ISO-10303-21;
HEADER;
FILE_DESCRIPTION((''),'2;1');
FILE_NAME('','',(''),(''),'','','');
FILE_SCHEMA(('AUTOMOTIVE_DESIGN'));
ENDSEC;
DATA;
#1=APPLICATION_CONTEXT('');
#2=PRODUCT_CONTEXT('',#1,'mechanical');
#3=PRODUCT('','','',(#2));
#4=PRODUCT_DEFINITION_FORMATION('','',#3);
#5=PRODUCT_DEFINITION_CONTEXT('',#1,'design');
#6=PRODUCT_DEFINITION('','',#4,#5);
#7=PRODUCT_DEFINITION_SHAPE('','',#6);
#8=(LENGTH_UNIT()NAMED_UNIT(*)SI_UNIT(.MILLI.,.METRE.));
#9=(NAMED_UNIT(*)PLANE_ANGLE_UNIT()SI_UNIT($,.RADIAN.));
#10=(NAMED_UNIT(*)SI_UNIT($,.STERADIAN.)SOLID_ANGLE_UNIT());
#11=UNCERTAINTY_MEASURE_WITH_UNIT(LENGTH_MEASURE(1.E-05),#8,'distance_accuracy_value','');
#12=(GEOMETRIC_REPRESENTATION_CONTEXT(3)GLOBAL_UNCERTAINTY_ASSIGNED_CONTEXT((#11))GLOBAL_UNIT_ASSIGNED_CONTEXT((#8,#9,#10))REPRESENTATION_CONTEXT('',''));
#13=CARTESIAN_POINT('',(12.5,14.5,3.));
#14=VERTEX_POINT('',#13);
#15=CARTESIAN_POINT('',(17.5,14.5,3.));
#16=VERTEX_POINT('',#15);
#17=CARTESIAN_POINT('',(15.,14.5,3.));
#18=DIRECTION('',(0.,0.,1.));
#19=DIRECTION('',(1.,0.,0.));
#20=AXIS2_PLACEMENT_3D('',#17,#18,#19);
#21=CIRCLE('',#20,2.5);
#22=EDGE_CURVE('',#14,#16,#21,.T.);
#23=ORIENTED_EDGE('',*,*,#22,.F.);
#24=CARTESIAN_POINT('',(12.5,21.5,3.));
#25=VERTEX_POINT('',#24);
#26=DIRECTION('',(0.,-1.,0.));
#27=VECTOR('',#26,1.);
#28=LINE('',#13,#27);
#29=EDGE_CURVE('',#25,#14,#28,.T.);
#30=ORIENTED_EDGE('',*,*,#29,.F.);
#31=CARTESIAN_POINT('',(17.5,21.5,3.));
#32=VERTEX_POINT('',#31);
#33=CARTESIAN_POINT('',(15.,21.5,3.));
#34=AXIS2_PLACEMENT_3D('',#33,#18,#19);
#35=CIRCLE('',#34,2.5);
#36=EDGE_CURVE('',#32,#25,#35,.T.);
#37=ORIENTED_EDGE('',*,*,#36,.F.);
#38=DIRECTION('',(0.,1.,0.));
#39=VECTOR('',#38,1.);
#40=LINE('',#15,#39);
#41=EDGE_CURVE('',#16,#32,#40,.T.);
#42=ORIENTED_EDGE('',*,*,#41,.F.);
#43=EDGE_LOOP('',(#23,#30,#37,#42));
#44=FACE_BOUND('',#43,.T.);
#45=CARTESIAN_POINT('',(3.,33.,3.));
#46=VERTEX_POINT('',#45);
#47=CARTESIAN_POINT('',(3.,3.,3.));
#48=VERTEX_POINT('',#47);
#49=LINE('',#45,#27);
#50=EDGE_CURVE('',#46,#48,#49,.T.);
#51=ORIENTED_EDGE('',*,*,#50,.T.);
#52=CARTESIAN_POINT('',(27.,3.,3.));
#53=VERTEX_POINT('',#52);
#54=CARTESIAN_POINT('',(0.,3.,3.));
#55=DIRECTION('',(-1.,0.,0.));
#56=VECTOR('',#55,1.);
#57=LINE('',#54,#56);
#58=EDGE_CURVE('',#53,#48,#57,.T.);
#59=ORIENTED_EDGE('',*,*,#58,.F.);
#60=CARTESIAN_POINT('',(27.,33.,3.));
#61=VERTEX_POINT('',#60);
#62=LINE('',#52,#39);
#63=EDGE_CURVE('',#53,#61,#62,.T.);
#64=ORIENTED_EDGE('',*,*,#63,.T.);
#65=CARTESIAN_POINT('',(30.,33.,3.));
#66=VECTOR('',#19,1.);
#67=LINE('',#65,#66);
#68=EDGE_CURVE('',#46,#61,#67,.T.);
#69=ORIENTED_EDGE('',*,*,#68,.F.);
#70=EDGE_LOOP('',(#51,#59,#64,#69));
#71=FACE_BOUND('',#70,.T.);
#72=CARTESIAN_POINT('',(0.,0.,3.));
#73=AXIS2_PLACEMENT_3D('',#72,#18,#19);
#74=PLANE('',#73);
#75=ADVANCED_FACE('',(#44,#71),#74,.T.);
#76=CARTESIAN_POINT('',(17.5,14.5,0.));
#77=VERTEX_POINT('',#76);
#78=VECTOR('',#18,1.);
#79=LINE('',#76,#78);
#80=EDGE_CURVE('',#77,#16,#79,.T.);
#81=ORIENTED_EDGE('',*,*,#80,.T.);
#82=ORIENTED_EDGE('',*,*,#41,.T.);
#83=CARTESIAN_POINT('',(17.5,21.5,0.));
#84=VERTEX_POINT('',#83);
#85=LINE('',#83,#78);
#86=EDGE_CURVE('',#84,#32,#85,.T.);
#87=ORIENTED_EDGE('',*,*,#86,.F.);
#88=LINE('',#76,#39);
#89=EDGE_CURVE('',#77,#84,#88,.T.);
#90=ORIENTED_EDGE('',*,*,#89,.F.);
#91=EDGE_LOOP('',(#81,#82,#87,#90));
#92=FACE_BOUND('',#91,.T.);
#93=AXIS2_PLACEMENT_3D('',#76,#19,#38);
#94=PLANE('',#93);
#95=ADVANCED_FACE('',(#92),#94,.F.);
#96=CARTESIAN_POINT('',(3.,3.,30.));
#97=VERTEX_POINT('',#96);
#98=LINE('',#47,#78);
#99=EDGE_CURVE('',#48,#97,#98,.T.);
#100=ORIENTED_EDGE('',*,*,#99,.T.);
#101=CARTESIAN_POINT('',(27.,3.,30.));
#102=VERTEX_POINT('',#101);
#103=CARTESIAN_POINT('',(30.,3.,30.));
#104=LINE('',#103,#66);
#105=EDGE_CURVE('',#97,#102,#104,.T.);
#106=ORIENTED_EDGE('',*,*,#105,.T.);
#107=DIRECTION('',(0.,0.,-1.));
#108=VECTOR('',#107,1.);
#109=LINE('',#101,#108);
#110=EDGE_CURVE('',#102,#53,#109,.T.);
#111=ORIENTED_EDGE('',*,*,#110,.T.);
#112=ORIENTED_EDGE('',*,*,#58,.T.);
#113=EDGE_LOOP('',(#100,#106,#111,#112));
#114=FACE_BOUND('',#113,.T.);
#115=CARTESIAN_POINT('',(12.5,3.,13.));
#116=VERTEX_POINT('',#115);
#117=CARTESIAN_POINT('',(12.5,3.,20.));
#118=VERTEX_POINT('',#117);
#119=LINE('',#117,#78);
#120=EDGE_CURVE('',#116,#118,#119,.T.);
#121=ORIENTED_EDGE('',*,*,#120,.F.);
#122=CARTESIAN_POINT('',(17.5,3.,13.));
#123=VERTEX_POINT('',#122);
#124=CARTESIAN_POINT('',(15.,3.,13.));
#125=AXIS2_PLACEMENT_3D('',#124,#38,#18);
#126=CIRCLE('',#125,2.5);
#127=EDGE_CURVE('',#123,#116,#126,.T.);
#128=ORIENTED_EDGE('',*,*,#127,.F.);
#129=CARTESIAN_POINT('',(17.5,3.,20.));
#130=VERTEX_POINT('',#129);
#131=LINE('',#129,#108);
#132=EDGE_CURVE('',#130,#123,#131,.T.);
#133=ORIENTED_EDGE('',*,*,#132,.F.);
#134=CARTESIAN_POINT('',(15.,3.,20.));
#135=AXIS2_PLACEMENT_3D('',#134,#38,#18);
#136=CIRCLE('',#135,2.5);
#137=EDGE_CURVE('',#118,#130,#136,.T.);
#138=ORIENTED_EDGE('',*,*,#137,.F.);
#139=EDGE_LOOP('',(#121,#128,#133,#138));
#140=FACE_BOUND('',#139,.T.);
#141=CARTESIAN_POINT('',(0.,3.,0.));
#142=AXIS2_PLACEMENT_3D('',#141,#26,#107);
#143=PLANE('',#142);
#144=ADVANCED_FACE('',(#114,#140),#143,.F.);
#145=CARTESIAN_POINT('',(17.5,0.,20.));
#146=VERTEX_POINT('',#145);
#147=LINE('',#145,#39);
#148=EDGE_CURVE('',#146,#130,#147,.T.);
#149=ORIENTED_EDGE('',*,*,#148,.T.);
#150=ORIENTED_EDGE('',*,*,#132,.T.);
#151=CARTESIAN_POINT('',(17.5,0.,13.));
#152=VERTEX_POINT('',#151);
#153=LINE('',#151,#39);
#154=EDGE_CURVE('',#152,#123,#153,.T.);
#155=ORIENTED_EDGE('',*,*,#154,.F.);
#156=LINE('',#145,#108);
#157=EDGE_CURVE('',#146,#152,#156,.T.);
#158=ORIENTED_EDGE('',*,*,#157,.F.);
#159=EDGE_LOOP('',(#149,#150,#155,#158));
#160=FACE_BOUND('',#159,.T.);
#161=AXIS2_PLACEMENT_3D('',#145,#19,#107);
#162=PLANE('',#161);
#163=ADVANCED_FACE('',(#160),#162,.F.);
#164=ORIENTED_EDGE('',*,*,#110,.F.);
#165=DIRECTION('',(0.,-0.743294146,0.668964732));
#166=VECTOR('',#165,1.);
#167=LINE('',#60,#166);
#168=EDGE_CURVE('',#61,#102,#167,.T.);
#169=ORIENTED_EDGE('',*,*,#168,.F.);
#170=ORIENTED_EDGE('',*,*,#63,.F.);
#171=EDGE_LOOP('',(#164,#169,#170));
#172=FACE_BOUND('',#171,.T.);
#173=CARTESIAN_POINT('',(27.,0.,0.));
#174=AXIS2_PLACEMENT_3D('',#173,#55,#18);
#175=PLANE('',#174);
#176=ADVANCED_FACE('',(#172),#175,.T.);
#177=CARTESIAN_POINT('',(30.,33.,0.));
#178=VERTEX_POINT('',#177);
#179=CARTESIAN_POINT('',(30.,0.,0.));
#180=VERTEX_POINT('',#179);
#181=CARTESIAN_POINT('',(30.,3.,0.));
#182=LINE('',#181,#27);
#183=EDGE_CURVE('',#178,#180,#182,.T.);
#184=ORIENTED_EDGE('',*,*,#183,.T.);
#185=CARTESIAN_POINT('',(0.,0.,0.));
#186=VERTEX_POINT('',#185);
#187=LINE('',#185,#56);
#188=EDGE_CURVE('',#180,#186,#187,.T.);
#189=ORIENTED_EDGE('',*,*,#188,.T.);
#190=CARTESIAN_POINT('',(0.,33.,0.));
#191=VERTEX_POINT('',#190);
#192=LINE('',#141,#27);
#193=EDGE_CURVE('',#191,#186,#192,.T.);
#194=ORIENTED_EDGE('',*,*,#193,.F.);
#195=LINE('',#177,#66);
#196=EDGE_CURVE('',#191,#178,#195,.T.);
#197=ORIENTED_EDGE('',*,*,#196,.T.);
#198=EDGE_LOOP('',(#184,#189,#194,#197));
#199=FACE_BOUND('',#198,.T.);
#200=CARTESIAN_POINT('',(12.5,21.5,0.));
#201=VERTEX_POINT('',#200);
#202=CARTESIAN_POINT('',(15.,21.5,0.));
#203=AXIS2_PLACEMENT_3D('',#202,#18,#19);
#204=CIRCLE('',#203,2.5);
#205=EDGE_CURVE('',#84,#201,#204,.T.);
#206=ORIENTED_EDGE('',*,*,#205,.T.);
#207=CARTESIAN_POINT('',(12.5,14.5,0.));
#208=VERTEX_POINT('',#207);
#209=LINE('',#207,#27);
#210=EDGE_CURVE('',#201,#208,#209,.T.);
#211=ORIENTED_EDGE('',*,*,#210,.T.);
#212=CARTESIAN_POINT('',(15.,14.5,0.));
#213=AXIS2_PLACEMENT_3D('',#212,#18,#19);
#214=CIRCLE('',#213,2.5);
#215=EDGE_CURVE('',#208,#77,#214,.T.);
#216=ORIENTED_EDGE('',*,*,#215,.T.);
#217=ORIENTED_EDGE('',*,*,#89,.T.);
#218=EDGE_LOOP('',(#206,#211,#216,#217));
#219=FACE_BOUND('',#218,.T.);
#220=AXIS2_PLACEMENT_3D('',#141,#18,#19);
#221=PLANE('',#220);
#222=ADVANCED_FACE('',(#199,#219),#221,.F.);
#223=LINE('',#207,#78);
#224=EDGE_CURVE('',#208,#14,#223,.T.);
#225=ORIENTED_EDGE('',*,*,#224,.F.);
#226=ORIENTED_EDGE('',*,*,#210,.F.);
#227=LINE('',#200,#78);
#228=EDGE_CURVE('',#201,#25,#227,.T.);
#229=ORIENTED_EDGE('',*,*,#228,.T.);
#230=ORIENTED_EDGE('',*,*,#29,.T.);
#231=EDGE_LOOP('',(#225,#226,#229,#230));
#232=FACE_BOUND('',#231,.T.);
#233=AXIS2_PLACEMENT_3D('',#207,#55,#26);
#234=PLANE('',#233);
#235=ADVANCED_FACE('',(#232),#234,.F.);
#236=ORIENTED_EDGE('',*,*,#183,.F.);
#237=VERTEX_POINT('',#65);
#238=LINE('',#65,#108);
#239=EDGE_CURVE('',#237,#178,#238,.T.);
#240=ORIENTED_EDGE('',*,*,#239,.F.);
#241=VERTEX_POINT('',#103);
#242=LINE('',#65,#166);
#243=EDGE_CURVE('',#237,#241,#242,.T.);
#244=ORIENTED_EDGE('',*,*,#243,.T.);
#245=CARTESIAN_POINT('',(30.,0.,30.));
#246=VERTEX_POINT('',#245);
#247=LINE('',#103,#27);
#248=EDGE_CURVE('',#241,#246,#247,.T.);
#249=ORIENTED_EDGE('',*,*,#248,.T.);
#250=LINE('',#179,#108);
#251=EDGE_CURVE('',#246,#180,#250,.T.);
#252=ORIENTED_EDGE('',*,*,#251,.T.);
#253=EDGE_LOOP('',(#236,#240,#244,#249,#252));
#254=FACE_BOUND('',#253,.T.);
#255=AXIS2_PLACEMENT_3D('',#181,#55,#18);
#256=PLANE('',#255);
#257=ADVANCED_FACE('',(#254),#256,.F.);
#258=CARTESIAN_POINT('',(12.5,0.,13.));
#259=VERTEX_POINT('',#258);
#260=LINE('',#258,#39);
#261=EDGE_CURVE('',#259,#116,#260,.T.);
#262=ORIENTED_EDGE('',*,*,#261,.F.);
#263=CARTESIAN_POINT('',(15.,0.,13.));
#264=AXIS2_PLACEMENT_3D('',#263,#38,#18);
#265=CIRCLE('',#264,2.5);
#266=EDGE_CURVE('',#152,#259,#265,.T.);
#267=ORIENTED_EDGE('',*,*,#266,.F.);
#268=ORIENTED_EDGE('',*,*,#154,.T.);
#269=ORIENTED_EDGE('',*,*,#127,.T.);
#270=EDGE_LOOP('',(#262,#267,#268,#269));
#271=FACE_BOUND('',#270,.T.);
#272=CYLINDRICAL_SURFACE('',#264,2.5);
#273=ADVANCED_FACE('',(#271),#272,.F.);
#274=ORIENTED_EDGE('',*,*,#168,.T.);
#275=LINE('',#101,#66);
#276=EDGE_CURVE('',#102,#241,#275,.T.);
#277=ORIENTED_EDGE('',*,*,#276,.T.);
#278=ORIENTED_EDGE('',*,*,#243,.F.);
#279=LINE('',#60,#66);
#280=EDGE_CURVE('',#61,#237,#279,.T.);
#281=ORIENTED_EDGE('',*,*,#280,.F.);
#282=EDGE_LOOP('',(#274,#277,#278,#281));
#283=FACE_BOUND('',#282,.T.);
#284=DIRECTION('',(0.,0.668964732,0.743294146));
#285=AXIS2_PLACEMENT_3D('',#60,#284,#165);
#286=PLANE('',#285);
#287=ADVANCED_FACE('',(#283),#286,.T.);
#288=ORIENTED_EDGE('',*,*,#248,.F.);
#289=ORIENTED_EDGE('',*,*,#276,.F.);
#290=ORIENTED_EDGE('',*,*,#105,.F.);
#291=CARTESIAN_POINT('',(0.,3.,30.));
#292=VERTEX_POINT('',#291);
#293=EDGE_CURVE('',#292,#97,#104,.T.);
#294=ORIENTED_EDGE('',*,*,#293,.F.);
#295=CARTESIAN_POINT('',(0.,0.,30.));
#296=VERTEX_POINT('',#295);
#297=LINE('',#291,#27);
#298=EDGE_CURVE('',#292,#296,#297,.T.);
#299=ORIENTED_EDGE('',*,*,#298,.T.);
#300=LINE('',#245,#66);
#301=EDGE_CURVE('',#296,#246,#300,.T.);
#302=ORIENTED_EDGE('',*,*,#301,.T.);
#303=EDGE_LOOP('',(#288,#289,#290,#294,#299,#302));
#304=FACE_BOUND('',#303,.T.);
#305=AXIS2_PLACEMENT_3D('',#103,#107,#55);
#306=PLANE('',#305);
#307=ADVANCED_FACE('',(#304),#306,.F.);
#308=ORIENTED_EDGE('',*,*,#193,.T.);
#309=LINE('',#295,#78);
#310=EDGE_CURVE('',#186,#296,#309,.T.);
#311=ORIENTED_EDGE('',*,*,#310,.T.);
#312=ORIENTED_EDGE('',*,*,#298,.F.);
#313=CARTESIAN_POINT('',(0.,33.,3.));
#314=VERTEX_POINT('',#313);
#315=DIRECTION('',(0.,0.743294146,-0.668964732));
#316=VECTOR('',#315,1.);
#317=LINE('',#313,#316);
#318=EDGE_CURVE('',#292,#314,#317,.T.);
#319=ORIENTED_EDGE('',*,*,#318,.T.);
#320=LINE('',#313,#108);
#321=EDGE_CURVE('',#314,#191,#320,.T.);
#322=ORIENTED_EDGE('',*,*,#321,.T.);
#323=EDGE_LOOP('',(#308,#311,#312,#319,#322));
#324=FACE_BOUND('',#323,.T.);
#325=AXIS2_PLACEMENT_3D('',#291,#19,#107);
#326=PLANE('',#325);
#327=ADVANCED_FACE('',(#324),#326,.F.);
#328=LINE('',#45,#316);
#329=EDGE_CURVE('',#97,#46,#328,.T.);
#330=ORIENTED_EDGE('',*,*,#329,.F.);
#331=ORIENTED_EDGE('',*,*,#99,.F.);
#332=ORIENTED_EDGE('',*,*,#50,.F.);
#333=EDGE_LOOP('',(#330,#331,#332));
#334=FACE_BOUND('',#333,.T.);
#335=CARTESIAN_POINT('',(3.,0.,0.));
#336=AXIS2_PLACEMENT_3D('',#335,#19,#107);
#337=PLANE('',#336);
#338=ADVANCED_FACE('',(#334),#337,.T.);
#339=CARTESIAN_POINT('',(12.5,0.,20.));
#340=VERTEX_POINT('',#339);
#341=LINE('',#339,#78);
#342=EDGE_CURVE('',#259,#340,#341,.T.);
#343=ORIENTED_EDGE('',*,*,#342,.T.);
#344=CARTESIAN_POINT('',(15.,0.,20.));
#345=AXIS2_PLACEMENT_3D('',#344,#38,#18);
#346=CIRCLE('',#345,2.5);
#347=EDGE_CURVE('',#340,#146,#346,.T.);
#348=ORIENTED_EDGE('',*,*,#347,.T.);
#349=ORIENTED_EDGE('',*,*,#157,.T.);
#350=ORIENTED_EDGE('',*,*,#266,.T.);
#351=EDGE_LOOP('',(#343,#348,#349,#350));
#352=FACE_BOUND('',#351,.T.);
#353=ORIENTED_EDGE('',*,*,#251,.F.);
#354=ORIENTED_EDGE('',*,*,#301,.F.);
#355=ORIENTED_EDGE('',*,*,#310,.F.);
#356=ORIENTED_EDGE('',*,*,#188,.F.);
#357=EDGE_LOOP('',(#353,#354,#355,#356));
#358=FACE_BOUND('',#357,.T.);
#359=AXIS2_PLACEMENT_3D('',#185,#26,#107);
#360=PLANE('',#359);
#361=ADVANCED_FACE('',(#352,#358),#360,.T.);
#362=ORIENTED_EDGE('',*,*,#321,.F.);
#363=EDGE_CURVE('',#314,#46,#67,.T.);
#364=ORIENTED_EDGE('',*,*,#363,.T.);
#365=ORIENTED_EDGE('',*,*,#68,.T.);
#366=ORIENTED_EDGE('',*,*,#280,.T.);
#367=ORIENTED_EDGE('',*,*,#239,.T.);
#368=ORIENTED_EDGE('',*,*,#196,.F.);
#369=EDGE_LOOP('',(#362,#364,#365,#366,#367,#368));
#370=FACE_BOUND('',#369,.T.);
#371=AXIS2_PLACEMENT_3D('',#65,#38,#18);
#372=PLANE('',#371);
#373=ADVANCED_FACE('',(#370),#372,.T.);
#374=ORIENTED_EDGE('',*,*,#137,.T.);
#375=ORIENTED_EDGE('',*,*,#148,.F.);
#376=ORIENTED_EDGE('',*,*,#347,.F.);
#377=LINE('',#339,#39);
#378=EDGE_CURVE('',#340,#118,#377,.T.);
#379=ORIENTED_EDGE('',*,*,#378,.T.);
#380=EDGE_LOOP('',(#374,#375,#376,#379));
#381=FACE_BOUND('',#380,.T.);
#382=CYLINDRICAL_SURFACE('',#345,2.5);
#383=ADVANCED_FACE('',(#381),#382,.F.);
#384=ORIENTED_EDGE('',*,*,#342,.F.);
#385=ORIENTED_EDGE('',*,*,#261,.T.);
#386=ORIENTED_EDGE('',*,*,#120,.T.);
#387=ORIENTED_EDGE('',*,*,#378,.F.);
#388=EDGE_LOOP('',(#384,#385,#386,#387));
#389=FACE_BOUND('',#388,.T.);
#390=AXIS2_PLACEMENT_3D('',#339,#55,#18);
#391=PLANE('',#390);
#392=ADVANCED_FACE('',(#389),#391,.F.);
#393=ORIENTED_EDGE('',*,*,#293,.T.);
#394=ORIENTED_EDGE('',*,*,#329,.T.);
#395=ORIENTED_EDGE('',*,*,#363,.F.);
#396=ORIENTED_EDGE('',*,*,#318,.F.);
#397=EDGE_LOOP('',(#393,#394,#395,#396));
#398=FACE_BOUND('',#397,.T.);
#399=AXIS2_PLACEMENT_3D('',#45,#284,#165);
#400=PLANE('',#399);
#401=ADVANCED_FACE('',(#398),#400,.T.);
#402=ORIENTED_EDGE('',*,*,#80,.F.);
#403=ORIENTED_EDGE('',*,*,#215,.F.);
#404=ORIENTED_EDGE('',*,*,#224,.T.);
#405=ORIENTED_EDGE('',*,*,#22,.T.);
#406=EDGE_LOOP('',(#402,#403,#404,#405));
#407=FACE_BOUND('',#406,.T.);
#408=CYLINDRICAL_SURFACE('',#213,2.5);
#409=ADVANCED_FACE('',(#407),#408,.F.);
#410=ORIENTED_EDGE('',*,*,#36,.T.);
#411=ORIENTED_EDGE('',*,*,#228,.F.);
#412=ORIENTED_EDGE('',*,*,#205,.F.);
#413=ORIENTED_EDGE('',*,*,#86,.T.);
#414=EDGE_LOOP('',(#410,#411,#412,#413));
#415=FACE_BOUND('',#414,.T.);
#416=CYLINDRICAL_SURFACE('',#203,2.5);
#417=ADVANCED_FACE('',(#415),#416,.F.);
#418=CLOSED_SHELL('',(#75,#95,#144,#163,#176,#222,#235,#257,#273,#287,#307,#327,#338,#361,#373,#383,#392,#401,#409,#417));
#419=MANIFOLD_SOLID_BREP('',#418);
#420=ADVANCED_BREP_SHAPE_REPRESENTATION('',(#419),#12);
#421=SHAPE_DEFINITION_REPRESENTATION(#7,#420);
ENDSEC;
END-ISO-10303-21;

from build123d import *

# Parameters (mm, degrees)
SKETCH1_W           = 30
SKETCH1_H           = 30
BOSS_EXTRUDE1_DEPTH = 3
SKETCH2_W           = 30
SKETCH2_H           = 30
BOSS_EXTRUDE2_DEPTH = 3
BOSS_EXTRUDE3_DEPTH = 3
BOSS_EXTRUDE4_DEPTH = 3
CUT_EXTRUDE1_DEPTH  = 3
CUT_EXTRUDE2_DEPTH  = 3


with BuildPart() as part:
    # Sketch1 → Boss-Extrude1 (new body)
    with BuildSketch(Plane(origin=(0, 0, 0), x_dir=(1, 0, 0), z_dir=(0, 1, 0))):
        with Locations((15, -15)):
            Rectangle(SKETCH1_W, SKETCH1_H)
    extrude(amount=BOSS_EXTRUDE1_DEPTH)

    # Sketch2 → Boss-Extrude2 (add)
    with BuildSketch(Plane(origin=(0, 0, 0), x_dir=(-1, 0, 0), z_dir=(0, 0, -1))):
        with Locations((-15, 18)):
            Rectangle(SKETCH2_W, SKETCH2_H)
    extrude(amount=-BOSS_EXTRUDE2_DEPTH)

    # Sketch3 → Boss-Extrude3 (add)
    with BuildSketch(Plane.ZY):
        Polygon((3, 33), (3, 3), (30, 3), align=None)
    extrude(amount=-BOSS_EXTRUDE3_DEPTH)

    # Sketch4 → Boss-Extrude4 (add)
    with BuildSketch(Plane(origin=(30, 0, 0), x_dir=(0, 0, -1), z_dir=(1, 0, 0))):
        Polygon((-30, 3), (-3, 3), (-3, 33), align=None)
    extrude(amount=-BOSS_EXTRUDE4_DEPTH)

    # Sketch5 → Cut-Extrude1 (cut)
    with BuildSketch(Plane.XY.offset(3)):
        with BuildLine():
            Line((12.5, 14.5), (12.5, 21.5))
            ThreePointArc((12.5, 21.5), (15, 24), (17.5, 21.5))
            Line((17.5, 21.5), (17.5, 14.5))
            ThreePointArc((17.5, 14.5), (15, 12), (12.5, 14.5))
        make_face()
    extrude(amount=-CUT_EXTRUDE1_DEPTH, mode=Mode.SUBTRACT)

    # Sketch6 → Cut-Extrude2 (cut)
    with BuildSketch(Plane(origin=(0, 3, 0), x_dir=(1, 0, 0), z_dir=(0, 1, 0))):
        with BuildLine():
            Line((12.5, -20), (12.5, -13))
            ThreePointArc((12.5, -13), (15, -10.5), (17.5, -13))
            Line((17.5, -13), (17.5, -20))
            ThreePointArc((17.5, -20), (15, -22.5), (12.5, -20))
        make_face()
    extrude(amount=-CUT_EXTRUDE2_DEPTH, mode=Mode.SUBTRACT)


solid = part.part
